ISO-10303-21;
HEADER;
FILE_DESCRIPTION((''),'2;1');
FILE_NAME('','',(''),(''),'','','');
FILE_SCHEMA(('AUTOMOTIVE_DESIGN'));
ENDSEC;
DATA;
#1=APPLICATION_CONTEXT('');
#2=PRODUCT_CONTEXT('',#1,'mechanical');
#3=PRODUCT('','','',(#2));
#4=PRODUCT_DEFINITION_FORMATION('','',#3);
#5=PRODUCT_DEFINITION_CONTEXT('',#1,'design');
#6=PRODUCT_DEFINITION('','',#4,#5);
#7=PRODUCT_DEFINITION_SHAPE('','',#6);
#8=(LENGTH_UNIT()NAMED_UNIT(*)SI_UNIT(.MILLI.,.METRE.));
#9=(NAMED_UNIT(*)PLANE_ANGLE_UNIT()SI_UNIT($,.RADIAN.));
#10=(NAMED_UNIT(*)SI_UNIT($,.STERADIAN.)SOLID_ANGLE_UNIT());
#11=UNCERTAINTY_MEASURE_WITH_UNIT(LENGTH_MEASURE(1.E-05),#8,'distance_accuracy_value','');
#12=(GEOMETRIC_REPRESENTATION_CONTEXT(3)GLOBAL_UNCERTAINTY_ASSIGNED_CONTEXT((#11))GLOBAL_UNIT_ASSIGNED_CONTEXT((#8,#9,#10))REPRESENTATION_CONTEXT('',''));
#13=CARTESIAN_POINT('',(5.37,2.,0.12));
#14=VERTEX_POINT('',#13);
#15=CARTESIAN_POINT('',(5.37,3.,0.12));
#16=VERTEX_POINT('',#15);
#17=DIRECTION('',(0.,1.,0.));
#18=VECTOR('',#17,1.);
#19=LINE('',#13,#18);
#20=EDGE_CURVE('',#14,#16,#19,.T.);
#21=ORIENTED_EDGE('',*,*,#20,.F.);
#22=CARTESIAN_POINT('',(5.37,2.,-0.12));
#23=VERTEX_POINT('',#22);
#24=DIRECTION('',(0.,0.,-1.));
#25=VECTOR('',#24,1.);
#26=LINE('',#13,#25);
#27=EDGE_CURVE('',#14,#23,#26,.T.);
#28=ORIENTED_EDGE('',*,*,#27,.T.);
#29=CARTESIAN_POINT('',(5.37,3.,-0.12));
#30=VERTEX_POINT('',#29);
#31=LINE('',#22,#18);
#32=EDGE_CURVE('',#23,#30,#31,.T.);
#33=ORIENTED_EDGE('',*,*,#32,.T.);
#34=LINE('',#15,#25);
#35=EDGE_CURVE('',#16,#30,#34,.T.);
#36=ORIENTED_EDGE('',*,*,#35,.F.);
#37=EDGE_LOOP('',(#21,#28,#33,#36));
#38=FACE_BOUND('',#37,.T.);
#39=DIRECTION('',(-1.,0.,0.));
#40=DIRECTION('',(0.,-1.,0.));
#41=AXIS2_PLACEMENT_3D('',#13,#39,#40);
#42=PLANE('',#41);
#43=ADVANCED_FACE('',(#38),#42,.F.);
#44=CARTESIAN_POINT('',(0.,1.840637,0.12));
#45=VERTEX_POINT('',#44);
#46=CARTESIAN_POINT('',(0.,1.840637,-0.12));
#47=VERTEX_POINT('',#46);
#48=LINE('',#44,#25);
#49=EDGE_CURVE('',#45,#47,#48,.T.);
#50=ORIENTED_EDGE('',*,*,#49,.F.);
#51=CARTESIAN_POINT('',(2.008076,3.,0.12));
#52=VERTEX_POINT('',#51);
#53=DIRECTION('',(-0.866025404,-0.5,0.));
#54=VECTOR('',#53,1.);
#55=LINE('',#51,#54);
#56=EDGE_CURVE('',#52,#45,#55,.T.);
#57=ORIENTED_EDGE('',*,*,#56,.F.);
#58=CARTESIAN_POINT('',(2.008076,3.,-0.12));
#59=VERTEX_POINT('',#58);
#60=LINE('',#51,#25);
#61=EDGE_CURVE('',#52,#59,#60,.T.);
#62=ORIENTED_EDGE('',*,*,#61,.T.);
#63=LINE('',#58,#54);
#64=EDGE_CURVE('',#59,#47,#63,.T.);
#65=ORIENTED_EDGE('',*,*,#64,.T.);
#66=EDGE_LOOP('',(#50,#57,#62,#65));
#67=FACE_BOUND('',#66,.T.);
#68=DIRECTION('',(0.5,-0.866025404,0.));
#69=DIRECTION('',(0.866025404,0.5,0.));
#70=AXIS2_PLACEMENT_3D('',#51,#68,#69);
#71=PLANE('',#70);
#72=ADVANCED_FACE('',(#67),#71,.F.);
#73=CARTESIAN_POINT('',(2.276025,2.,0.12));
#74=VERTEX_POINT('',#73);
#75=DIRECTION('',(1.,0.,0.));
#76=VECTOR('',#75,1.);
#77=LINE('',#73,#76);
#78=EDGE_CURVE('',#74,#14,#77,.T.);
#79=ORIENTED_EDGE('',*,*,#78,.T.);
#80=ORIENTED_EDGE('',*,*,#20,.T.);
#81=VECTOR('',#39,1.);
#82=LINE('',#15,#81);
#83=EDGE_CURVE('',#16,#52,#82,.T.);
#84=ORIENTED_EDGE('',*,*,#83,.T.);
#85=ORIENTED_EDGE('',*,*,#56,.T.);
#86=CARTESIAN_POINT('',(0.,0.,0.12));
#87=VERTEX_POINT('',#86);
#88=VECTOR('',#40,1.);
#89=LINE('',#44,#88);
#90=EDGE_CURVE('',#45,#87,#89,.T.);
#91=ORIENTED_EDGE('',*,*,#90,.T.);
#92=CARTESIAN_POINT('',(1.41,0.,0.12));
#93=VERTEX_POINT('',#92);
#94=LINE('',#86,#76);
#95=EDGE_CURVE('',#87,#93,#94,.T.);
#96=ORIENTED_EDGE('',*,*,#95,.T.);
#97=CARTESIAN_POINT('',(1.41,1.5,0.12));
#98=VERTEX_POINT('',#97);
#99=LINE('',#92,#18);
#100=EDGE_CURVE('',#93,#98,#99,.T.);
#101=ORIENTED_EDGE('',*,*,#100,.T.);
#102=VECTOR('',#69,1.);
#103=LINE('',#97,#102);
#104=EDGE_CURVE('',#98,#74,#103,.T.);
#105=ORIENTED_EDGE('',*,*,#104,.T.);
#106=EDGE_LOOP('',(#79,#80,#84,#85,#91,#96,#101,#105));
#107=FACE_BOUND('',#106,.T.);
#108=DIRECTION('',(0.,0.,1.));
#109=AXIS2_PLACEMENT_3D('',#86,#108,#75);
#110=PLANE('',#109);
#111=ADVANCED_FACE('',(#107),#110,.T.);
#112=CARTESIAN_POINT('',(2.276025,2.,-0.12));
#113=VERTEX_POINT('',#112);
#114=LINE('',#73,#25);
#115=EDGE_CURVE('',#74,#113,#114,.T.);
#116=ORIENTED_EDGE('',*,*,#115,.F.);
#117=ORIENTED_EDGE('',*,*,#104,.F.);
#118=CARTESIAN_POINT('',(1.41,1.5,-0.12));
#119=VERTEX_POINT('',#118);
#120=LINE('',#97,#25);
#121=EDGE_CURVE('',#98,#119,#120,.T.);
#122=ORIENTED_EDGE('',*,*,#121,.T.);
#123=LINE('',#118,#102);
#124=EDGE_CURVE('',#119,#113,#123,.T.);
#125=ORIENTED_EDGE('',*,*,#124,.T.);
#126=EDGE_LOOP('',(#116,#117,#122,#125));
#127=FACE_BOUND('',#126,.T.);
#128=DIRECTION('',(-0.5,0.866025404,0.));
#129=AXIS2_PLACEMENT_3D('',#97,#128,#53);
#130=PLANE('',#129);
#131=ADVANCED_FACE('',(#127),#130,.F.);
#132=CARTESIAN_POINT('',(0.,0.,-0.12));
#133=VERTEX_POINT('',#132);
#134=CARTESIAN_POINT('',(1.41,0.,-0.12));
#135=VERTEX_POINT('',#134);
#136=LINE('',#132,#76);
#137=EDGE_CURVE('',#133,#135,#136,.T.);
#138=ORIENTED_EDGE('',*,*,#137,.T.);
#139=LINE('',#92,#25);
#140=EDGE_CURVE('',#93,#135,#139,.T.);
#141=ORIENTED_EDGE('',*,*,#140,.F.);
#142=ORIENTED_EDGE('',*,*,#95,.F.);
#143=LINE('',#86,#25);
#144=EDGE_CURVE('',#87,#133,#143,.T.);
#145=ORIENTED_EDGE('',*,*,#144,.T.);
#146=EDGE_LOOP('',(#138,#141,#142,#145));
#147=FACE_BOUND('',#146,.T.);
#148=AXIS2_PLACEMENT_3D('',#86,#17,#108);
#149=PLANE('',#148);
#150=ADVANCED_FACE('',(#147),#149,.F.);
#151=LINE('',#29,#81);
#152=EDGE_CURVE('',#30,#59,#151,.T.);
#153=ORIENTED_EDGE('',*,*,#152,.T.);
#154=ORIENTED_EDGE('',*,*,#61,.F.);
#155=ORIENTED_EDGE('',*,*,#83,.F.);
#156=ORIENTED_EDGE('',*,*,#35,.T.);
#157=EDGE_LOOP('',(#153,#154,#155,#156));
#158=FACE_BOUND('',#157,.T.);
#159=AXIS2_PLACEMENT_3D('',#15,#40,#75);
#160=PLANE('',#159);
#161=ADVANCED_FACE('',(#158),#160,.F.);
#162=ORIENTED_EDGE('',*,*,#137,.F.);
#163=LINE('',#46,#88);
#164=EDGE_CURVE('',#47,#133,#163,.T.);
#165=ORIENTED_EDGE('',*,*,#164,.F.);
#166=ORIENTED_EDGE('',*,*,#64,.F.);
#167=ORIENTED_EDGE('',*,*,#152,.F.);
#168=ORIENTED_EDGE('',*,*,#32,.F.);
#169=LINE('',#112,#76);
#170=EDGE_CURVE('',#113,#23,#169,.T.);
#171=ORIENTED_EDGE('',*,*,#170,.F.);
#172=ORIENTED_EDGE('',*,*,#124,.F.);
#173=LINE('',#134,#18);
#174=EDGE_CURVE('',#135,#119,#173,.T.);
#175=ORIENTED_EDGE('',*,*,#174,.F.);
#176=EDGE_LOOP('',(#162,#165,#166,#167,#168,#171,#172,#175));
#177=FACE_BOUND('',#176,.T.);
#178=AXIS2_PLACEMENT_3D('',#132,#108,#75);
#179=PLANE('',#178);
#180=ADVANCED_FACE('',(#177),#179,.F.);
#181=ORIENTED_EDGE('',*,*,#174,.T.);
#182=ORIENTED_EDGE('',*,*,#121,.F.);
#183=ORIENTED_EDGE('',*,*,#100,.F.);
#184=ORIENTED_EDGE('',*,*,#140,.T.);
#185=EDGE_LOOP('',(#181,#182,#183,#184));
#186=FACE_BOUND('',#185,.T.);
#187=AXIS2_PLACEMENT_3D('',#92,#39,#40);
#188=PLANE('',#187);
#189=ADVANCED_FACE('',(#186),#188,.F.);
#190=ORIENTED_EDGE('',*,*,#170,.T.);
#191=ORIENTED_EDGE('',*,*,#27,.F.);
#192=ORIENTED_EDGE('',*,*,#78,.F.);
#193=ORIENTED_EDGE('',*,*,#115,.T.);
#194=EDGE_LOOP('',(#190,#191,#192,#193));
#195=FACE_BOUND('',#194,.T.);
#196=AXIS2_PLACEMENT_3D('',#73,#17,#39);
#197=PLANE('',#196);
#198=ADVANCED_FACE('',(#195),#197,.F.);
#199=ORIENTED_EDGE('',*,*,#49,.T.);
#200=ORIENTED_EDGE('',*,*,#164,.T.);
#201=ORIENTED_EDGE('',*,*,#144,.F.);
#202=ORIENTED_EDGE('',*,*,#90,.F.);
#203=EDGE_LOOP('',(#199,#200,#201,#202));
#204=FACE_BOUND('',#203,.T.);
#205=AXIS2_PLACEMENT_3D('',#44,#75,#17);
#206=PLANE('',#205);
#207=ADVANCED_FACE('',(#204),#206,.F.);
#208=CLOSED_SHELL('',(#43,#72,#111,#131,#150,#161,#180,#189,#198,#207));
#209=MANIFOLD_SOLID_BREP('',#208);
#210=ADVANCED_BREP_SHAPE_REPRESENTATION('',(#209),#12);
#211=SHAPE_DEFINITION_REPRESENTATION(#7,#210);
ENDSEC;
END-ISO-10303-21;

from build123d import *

# Parameters (mm, degrees)
BOSS_EXTRUDE1_DEPTH = 0.12


with BuildPart() as part:
    # Sketch1 → Boss-Extrude1 (new, symmetric)
    with BuildSketch(Plane.XY):
        Polygon((0, 0), (1.41, 0), (1.41, 1.5), (2.276025404, 2), (5.37, 2), (5.37, 3), (2.008076211, 3), (0, 1.840636659), align=None)
    extrude(amount=BOSS_EXTRUDE1_DEPTH, both=True)


solid = part.part
